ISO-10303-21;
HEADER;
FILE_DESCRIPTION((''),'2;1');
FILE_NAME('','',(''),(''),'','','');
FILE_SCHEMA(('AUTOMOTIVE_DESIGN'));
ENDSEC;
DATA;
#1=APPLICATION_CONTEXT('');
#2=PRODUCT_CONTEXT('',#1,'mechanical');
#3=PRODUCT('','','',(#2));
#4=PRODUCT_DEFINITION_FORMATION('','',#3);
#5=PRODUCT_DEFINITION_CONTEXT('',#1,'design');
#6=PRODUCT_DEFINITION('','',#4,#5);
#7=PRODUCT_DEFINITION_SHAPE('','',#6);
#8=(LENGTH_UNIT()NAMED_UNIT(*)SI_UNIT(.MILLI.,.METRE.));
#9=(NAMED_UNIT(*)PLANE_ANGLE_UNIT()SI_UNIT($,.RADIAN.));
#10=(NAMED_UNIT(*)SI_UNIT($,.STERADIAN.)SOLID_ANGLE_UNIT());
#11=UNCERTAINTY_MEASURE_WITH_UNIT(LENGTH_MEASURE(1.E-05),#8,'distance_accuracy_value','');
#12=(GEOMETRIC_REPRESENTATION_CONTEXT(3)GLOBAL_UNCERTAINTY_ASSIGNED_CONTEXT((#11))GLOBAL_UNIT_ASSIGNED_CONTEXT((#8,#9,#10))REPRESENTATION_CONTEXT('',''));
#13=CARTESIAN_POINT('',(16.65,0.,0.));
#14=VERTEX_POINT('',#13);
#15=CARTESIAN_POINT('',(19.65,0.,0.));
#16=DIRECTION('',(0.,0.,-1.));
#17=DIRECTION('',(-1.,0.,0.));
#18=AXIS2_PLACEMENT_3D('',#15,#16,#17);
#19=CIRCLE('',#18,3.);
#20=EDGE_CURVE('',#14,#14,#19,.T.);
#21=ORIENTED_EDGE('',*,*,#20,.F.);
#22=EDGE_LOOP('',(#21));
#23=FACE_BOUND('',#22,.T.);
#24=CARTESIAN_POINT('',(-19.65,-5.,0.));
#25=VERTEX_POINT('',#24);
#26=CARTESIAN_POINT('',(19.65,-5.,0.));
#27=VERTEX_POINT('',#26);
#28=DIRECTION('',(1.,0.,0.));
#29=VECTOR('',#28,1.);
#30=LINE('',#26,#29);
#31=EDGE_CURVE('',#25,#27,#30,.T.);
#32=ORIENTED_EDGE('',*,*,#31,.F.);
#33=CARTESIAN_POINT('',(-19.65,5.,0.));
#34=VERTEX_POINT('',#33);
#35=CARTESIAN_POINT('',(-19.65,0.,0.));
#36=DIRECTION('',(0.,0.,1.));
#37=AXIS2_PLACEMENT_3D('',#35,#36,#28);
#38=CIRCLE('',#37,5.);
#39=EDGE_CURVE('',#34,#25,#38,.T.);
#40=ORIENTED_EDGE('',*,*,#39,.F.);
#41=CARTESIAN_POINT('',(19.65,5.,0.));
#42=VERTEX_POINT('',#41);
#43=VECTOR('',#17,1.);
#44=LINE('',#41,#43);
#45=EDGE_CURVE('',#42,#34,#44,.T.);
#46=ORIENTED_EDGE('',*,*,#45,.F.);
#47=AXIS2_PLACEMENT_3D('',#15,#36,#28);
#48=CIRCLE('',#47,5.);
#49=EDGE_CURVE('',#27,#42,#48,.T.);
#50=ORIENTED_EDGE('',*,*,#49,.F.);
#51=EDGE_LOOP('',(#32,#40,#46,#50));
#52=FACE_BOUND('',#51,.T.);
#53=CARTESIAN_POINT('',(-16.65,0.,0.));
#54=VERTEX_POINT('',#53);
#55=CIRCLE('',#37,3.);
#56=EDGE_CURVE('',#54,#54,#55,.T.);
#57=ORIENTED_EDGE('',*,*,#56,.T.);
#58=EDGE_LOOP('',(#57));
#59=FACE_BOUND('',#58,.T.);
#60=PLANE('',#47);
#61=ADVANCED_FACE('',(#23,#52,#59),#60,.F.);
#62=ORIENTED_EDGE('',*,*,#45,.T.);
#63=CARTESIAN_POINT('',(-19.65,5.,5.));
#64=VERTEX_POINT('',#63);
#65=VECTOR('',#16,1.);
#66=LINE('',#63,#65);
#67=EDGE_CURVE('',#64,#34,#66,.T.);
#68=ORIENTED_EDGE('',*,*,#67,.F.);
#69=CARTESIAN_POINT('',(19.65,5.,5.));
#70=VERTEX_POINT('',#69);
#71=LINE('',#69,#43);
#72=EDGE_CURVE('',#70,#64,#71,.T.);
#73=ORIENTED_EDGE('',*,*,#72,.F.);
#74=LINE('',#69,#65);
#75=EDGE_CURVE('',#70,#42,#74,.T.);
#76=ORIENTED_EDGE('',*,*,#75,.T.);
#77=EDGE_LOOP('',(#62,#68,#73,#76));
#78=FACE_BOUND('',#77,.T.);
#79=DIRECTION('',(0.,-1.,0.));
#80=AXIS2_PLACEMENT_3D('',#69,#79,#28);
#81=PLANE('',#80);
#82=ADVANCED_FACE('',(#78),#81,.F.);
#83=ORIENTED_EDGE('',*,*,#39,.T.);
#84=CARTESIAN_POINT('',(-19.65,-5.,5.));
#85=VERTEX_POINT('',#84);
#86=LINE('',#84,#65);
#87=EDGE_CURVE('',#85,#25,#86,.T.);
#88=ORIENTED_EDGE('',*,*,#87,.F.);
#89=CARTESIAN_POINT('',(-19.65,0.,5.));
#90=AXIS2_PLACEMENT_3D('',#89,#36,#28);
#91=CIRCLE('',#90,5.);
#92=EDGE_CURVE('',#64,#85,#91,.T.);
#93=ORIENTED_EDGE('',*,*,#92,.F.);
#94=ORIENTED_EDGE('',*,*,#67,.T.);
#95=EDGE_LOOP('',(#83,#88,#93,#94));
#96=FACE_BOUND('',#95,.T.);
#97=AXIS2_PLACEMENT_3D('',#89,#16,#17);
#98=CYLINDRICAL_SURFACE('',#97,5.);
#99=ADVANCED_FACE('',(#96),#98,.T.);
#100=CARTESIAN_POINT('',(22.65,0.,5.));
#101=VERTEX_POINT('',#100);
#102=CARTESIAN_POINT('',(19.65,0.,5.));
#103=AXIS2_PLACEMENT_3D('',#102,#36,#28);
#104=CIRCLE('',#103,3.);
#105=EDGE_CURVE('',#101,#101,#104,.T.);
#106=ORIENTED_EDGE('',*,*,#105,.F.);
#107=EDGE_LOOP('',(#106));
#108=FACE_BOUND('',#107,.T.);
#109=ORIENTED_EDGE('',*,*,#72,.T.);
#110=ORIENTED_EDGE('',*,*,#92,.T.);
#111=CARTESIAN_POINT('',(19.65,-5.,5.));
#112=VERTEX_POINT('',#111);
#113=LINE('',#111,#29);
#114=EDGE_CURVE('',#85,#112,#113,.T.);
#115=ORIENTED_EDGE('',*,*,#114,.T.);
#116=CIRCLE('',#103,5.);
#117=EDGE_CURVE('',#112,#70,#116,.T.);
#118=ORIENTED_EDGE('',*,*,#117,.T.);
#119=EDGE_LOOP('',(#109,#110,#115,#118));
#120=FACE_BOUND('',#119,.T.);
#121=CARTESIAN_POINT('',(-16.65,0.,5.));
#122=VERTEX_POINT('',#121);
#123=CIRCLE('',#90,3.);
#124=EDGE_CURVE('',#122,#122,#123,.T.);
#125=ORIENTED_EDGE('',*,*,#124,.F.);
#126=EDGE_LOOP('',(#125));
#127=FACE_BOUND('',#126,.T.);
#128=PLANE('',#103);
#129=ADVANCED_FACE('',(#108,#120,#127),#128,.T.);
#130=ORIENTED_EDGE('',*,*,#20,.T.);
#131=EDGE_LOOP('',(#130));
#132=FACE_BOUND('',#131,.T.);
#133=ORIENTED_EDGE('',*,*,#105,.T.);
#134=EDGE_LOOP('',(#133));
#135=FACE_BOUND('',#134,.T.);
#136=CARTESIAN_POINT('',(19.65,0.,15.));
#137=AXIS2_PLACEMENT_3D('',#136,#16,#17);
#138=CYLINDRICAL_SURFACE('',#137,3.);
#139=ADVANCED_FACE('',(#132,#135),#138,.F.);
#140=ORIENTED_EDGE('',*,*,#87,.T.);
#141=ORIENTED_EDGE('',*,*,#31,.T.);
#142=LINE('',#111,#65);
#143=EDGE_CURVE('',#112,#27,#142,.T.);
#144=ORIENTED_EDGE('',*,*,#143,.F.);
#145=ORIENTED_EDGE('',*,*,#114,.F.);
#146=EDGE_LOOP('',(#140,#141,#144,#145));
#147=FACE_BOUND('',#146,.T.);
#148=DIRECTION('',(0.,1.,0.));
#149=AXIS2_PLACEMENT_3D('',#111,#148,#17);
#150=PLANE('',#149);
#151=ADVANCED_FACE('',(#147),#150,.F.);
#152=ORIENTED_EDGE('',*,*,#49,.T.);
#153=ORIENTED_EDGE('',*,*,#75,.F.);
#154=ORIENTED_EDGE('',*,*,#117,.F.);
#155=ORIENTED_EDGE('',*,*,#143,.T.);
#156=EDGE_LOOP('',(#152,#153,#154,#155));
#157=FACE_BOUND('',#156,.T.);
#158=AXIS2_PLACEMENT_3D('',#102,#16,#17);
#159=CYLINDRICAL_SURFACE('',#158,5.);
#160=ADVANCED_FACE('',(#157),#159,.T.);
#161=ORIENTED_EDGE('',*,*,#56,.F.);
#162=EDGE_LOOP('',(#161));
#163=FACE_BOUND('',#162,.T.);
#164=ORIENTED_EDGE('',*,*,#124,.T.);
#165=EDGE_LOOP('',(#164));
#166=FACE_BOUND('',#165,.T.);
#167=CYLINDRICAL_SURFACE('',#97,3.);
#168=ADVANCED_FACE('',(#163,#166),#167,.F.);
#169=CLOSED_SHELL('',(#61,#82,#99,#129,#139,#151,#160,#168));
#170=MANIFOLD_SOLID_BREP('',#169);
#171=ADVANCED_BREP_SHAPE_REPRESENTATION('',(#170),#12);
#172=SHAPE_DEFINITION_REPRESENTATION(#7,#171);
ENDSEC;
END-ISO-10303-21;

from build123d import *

# Parameters (mm, degrees)
SKETCH1_R           = 3
BOSS_EXTRUDE1_DEPTH = 5
SKETCH2_R           = 3
CUT_EXTRUDE2_DEPTH  = 15


with BuildPart() as part:
    # Sketch1 → Boss-Extrude1 (new body)
    with BuildSketch(Plane.XY):
        with BuildLine():
            Line((19.65, -5), (-19.65, -5))
            ThreePointArc((-19.65, -5), (-24.65, 0), (-19.65, 5))
            Line((-19.65, 5), (19.65, 5))
            ThreePointArc((19.65, 5), (24.65, 0), (19.65, -5))
        make_face()
        with Locations((-19.65, 0)):
            Circle(SKETCH1_R, mode=Mode.SUBTRACT)
    extrude(amount=BOSS_EXTRUDE1_DEPTH)

    # Sketch2 → Cut-Extrude2 (cut)
    with BuildSketch(Plane(origin=(0, 0, 0), x_dir=(-1, 0, 0), z_dir=(0, 0, -1))):
        with Locations((-19.65, 0)):
            Circle(SKETCH2_R)
    extrude(amount=-CUT_EXTRUDE2_DEPTH, mode=Mode.SUBTRACT)


solid = part.part
